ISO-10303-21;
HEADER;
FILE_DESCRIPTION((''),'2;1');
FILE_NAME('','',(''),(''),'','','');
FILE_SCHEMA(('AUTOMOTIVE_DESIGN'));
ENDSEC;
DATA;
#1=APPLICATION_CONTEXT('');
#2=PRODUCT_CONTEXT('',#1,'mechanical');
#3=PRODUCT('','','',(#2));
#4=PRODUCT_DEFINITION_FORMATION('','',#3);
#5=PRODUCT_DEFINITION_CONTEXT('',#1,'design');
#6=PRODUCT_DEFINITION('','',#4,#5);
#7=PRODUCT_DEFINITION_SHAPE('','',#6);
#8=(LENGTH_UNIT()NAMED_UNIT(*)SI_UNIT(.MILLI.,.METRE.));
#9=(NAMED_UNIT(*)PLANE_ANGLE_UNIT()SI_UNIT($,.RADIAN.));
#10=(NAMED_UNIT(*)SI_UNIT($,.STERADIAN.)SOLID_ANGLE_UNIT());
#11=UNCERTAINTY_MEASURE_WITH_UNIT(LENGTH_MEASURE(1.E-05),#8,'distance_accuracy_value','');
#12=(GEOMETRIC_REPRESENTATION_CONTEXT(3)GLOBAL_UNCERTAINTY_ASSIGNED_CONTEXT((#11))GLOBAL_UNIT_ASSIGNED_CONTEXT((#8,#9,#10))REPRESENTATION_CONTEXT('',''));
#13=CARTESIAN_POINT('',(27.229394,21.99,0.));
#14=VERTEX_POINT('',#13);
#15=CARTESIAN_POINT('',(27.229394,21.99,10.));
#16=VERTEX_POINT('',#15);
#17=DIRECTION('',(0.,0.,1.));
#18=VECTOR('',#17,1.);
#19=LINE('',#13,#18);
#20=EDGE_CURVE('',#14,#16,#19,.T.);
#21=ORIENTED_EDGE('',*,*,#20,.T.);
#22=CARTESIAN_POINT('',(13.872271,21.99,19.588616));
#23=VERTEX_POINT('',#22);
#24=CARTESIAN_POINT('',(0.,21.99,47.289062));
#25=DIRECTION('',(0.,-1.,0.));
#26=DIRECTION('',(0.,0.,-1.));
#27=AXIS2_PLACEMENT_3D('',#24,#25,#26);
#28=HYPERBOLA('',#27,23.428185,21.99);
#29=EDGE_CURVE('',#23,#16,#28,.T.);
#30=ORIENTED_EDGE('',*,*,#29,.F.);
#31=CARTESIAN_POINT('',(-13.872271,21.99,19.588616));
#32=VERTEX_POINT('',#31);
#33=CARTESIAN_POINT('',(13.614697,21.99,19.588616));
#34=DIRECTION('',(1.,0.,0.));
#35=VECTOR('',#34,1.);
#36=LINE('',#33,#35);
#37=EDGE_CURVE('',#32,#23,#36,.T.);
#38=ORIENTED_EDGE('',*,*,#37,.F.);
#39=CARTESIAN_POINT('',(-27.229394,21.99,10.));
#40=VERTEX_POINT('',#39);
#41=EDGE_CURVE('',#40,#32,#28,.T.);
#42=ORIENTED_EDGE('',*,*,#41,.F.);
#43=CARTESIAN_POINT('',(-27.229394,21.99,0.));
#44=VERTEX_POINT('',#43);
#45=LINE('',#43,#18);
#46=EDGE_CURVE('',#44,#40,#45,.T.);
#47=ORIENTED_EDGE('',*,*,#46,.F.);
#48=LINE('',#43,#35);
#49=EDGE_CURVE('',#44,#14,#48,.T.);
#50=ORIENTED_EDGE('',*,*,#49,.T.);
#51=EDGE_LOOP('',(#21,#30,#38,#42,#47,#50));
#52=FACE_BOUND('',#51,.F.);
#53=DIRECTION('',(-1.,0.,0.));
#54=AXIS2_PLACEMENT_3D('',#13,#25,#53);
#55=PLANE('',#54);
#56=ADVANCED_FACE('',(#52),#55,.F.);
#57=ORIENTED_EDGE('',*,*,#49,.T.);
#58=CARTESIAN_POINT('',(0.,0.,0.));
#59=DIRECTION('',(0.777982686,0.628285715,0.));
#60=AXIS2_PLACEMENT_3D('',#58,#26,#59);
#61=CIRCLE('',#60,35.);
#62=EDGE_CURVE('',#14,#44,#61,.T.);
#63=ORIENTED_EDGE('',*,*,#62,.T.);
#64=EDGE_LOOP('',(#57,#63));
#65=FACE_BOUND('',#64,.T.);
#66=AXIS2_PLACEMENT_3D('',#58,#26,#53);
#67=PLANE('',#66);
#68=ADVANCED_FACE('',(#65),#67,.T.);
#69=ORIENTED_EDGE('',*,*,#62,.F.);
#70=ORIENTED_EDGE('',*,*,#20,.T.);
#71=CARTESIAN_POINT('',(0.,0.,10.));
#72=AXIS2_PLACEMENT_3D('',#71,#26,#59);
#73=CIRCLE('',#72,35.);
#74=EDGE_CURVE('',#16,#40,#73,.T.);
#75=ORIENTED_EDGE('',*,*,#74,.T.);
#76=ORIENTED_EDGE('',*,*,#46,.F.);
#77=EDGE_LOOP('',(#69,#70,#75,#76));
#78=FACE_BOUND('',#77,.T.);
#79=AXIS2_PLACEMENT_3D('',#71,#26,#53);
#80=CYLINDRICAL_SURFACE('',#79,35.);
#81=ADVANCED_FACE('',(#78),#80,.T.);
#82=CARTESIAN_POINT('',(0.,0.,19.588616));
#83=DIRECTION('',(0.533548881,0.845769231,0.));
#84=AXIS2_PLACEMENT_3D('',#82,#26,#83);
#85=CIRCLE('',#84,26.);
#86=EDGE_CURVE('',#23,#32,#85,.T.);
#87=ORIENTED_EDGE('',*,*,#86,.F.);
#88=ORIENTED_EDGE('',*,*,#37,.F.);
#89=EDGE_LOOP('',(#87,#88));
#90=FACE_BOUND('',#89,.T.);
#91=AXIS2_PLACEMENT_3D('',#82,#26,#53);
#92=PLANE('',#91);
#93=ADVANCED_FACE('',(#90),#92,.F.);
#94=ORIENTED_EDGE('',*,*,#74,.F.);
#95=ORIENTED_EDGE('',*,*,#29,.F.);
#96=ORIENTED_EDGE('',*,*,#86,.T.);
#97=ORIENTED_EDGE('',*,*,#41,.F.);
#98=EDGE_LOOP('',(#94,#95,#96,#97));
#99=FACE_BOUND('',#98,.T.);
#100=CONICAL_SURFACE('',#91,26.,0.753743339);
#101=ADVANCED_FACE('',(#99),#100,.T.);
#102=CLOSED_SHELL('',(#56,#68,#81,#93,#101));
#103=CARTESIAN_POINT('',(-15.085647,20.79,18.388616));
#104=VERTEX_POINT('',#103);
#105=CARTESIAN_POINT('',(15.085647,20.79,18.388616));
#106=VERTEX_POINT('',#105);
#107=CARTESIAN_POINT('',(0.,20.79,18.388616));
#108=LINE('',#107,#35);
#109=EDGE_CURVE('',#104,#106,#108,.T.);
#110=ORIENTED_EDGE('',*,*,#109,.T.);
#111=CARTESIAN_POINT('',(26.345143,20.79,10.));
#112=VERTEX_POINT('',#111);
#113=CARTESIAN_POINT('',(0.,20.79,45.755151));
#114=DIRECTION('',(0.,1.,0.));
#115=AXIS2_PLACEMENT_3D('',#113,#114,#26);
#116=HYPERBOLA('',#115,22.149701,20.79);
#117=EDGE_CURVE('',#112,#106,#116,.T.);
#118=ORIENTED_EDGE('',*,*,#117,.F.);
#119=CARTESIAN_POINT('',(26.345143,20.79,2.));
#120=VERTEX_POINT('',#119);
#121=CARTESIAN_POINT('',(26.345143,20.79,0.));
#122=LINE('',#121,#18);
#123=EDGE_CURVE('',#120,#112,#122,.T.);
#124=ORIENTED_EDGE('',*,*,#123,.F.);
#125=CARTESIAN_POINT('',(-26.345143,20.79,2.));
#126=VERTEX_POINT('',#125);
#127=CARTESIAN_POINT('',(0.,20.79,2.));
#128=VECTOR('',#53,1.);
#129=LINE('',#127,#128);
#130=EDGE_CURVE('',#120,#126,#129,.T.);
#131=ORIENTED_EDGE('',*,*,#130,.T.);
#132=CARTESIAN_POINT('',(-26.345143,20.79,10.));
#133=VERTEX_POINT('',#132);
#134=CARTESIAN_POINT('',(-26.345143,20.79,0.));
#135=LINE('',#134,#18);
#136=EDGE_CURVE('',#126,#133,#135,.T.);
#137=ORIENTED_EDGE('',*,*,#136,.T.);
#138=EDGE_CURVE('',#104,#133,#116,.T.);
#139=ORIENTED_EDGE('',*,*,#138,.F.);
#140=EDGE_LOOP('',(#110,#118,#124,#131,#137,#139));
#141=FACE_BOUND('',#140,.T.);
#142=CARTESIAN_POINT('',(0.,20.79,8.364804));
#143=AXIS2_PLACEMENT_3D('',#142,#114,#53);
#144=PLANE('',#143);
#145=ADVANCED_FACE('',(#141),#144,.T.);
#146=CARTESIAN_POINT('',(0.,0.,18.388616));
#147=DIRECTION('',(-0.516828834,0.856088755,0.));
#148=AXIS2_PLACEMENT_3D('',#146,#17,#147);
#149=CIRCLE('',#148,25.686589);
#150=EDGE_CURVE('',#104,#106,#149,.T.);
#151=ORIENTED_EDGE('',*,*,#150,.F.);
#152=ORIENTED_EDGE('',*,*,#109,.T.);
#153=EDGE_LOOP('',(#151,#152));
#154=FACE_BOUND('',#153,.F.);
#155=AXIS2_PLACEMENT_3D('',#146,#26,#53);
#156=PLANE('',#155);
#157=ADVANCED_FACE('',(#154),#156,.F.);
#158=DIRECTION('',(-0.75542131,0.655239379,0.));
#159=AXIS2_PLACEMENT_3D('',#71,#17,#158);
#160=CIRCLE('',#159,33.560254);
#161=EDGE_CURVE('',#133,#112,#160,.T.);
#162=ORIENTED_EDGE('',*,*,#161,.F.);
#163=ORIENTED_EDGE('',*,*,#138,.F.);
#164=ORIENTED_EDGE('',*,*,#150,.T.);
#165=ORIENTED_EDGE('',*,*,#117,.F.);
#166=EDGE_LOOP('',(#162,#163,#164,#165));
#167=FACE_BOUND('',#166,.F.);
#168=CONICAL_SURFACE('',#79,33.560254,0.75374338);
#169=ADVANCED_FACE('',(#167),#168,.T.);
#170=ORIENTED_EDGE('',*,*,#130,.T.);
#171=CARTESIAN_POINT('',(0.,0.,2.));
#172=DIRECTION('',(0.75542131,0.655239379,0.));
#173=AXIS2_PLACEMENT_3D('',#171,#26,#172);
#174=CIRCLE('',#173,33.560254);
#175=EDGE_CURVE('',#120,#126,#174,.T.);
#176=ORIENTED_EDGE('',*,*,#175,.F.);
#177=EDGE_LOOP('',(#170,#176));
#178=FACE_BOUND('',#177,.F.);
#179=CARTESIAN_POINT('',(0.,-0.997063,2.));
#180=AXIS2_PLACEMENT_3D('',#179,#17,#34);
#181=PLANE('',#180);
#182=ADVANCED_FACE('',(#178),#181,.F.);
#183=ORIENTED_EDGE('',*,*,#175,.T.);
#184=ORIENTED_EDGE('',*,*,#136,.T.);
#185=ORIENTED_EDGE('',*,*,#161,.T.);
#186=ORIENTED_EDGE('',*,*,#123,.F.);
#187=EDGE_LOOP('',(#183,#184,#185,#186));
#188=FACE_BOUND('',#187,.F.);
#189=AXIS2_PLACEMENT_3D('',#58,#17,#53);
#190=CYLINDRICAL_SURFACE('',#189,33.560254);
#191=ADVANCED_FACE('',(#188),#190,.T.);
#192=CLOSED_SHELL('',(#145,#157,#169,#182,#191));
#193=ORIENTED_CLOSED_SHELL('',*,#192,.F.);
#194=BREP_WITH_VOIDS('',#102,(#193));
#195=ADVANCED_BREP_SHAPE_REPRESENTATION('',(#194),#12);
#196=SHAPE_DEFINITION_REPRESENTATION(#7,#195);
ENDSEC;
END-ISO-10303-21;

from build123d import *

# Parameters (mm, degrees)
F1_DEPTH = 2
F5_DEPTH = 19.589616
F7_DEPTH = 1.2


with BuildPart() as f1:
    # F0 (on Top) → F1 (new body)
    with BuildSketch(Plane.XY):
        with BuildLine():
            Line((27.229394, 21.99), (-27.229394, 21.99))
            ThreePointArc((-27.229394, 21.99), (0, -35), (27.229394, 21.99))
        make_face()
    extrude(amount=F1_DEPTH)

    # F2 (on Front) → F3 (revolve)
    with BuildSketch(Plane.XZ):
        Polygon((-35, 0), (-33.560254, 0), (-33.560254, 10), (-25.686589, 18.388616), (0, 18.388616), (0, 19.588616), (-26, 19.588616), (-35, 10), align=None)
    revolve(axis=Axis((0, 0, 12.407482), (0, 0, -1)))

    # F4 (on face) → F5 (cut, through all)
    with BuildSketch(Plane(origin=(0, 0, 0), x_dir=(1, 0, 0), z_dir=(0, 0, -1))):
        Polygon((27.229394, -21.99), (-25.352131, -21.99), (-27.229394, -21.99), (-27.229394, -37.239455), (27.229394, -37.239455), align=None)
    extrude(amount=-F5_DEPTH, mode=Mode.SUBTRACT)

    # F6 (on face) → F7 (join)
    with BuildSketch(Plane(origin=(0, 21.99, 0), x_dir=(-1, 0, 0), z_dir=(0, 1, 0))):
        Polygon((13.872271, 19.588616), (-13.872271, 19.588616), (-27.229394, 10), (-27.229394, 0), (27.229394, 0), (27.229394, 10), align=None)
    extrude(amount=-F7_DEPTH)


solid = f1.part
